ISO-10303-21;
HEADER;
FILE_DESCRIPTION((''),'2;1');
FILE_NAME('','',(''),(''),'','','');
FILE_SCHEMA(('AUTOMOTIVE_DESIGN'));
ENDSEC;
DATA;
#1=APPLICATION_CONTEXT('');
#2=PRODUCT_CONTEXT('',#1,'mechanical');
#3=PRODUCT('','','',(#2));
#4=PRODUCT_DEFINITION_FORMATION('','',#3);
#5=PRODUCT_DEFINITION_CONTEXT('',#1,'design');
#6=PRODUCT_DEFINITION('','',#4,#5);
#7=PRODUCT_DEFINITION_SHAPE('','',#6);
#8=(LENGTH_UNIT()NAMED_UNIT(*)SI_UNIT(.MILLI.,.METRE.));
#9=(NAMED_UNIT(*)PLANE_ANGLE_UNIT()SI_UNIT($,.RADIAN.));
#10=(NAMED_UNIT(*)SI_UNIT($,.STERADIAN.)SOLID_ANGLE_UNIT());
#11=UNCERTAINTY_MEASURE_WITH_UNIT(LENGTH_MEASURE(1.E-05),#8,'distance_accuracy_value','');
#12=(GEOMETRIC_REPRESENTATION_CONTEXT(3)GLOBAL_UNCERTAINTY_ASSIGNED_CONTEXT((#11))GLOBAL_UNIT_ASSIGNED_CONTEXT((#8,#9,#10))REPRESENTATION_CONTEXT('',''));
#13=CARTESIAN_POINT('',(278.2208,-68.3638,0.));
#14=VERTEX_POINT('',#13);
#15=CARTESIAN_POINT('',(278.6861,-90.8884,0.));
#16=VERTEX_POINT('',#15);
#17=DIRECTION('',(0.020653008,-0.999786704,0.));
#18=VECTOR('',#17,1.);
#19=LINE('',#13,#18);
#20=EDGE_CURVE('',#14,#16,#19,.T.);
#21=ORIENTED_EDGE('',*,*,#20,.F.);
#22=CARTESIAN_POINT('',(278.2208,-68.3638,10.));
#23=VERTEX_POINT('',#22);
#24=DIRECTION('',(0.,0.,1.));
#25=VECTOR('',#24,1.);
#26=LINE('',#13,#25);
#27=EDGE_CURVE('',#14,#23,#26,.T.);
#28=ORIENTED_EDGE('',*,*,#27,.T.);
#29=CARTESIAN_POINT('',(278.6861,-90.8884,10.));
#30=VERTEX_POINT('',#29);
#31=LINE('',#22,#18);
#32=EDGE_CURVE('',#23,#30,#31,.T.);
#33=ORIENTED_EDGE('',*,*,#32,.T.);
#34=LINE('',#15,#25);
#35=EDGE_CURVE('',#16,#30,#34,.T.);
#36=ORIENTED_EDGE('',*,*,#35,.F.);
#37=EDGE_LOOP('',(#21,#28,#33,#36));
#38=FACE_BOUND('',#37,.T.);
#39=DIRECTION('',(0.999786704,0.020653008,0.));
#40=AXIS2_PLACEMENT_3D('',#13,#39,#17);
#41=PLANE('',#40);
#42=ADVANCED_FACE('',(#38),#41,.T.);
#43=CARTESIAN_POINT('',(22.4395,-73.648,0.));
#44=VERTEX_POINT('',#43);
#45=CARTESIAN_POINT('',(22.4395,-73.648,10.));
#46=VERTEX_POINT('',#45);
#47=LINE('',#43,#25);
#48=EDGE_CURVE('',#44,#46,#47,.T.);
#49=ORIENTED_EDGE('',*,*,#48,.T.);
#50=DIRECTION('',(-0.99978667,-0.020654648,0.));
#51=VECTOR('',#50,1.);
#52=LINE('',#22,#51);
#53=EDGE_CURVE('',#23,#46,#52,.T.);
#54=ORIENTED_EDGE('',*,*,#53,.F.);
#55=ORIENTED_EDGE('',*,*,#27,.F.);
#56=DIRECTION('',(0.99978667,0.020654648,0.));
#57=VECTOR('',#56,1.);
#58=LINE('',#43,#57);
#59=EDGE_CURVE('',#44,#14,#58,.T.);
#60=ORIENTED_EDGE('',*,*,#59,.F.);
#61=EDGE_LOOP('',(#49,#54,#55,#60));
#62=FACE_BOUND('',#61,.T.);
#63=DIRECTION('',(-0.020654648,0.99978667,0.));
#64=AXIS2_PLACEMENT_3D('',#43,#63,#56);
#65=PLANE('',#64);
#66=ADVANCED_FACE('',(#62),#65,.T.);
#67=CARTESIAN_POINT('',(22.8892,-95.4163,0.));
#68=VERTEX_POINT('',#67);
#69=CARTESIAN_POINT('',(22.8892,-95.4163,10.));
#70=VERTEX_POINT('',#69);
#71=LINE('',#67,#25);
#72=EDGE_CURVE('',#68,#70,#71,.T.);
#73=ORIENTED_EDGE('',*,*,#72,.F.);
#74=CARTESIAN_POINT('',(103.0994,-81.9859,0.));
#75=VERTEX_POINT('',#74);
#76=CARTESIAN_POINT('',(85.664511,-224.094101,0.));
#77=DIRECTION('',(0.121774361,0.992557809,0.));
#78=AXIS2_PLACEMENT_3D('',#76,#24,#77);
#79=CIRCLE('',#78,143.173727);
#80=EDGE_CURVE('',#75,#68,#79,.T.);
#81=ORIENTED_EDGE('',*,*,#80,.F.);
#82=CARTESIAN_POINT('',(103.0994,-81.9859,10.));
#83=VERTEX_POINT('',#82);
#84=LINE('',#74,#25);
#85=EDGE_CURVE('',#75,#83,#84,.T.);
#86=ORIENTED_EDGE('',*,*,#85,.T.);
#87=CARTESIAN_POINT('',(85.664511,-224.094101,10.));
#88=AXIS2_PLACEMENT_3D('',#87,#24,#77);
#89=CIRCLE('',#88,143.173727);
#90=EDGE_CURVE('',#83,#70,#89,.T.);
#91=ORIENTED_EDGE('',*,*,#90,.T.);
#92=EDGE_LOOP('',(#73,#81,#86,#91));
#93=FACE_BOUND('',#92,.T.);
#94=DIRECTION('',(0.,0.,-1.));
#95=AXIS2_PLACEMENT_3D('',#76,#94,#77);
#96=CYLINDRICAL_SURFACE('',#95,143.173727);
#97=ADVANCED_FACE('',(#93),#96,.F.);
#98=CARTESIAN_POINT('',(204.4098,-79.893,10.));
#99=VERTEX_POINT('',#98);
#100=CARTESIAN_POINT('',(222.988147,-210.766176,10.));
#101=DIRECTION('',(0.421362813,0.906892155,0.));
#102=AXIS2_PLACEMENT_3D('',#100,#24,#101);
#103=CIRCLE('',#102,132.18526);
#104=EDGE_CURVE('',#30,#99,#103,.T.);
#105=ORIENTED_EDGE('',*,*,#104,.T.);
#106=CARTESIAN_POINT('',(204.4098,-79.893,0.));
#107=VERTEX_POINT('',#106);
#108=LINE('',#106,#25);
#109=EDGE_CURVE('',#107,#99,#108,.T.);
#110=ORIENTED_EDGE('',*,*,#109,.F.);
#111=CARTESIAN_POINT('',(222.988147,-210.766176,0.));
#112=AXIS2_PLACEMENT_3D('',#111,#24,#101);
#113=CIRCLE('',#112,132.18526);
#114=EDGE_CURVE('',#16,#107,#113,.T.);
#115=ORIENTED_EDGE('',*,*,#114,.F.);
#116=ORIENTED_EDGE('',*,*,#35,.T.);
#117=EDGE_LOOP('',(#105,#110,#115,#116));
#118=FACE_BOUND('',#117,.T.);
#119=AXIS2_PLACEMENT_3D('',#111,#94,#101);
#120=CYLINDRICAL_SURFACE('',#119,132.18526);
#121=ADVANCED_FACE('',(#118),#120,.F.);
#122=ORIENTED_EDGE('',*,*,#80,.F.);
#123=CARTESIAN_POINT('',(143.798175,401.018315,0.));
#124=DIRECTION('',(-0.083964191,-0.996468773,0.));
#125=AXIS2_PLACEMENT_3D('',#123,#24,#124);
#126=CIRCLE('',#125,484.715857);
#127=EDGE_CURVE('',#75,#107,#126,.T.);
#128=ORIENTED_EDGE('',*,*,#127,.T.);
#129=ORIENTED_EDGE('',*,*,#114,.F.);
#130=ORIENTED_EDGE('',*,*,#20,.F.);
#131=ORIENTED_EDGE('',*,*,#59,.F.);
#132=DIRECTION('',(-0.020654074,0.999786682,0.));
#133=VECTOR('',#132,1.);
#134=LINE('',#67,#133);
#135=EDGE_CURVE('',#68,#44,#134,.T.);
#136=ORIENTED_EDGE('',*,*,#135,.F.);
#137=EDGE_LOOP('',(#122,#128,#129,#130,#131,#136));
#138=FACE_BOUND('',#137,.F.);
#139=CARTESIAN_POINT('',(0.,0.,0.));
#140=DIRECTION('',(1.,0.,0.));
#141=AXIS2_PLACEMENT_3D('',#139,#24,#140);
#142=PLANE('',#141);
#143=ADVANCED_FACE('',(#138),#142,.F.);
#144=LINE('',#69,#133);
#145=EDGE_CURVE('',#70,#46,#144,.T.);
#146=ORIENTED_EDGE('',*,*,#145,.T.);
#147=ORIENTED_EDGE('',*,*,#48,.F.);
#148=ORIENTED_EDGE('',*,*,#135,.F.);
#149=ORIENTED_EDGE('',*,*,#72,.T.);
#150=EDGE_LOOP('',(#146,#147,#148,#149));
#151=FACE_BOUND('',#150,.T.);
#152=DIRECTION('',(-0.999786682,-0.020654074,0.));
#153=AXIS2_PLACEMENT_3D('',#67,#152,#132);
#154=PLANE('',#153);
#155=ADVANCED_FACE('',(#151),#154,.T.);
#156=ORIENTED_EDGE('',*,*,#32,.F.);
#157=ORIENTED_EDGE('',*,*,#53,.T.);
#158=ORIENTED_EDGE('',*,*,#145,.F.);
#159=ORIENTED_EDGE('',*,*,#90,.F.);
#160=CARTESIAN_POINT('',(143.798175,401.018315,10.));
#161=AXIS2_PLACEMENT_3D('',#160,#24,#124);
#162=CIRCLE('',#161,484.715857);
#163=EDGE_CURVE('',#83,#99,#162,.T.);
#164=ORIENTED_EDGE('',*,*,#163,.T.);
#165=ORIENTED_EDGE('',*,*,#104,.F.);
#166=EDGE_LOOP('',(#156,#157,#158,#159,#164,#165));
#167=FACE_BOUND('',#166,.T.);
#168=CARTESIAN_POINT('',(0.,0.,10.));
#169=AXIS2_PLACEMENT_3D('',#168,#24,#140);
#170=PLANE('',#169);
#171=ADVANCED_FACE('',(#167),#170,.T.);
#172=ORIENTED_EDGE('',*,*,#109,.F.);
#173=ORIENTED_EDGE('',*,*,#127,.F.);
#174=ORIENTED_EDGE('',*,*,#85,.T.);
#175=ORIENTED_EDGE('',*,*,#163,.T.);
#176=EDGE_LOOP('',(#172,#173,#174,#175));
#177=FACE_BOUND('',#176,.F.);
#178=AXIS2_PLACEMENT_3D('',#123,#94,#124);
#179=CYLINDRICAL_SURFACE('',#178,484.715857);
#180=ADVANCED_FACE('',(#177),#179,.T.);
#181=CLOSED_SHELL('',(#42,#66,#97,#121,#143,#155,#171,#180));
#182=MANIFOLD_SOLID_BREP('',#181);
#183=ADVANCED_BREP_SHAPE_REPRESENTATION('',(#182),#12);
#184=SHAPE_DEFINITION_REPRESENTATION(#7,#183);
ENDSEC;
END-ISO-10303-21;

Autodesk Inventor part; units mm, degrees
ref_plane "YZ Plane" through (0, 0, 0) normal (1, 0, 0) x (0, 1, 0)
ref_plane "XZ Plane" through (0, 0, 0) normal (0, 1, 0) x (-1, 0, 0)
ref_plane "XY Plane" through (0, 0, 0) normal (0, 0, 1) x (1, 0, 0)
sketch "Sketch1" plane through (0, 0, 0) normal (0, 0, 1) x (1, 0, 0)
  line L0 (0, 0) -> (293.4944, 0) construction
  line L1 (293.4944, 0) -> (293.4944, -132.0217) construction
  line L2 (293.4944, -132.0217) -> (0, -132.0217) construction
  line L3 (0, -132.0217) -> (0, 0) construction
  line L4 (79.3681, -56.3049) -> (159.3681, -56.3049) construction
  line L5 (283.1562, -93.1287) -> (278.6861, -90.8884) construction
  line L6 (283.1562, -93.1287) -> (282.3201, -93.1287) construction
  line L7 (18.3483, -97.5091) -> (22.8892, -95.4163) construction
  line L8 (18.3483, -97.5091) -> (20.5956, -97.5091) construction
  arc A0 (103.0994, -81.9859) -> (22.8892, -95.4163) centre (85.6645, -224.0936) ccw
  arc A1 (278.6861, -90.8884) -> (204.4098, -79.893) centre (222.9879, -210.767) ccw
  arc A2 (103.0994, -81.9859) -> (204.4098, -79.893) centre (143.798, 401.0128) ccw
  line L9 (22.8892, -95.4163) -> (22.4395, -73.648)
  line L10 (22.4395, -73.648) -> (278.2208, -68.3638)
  line L11 (278.2208, -68.3638) -> (278.6861, -90.8884)
  line L12 (103.0994, -81.9859) -> (204.4098, -79.893)
  line L13 (103.0994, -81.9859) -> (102.8928, -71.9859)
  line L14 (204.4098, -79.893) -> (204.2032, -69.893)
  dimension "d5" = 80
  dimension "d85" = 5
  dimension "d87" = 26.619
  dimension "d92" = 5
  dimension "d94" = 24.743
  dimension "d100" = 33
  dimension "d101" = 33
  dimension "d119" = 10
  dimension "d122" = 12
extrude "Extrusion1" add sketch "Sketch1" along normal blind 10
properties part number "deseczka_dol_check"
